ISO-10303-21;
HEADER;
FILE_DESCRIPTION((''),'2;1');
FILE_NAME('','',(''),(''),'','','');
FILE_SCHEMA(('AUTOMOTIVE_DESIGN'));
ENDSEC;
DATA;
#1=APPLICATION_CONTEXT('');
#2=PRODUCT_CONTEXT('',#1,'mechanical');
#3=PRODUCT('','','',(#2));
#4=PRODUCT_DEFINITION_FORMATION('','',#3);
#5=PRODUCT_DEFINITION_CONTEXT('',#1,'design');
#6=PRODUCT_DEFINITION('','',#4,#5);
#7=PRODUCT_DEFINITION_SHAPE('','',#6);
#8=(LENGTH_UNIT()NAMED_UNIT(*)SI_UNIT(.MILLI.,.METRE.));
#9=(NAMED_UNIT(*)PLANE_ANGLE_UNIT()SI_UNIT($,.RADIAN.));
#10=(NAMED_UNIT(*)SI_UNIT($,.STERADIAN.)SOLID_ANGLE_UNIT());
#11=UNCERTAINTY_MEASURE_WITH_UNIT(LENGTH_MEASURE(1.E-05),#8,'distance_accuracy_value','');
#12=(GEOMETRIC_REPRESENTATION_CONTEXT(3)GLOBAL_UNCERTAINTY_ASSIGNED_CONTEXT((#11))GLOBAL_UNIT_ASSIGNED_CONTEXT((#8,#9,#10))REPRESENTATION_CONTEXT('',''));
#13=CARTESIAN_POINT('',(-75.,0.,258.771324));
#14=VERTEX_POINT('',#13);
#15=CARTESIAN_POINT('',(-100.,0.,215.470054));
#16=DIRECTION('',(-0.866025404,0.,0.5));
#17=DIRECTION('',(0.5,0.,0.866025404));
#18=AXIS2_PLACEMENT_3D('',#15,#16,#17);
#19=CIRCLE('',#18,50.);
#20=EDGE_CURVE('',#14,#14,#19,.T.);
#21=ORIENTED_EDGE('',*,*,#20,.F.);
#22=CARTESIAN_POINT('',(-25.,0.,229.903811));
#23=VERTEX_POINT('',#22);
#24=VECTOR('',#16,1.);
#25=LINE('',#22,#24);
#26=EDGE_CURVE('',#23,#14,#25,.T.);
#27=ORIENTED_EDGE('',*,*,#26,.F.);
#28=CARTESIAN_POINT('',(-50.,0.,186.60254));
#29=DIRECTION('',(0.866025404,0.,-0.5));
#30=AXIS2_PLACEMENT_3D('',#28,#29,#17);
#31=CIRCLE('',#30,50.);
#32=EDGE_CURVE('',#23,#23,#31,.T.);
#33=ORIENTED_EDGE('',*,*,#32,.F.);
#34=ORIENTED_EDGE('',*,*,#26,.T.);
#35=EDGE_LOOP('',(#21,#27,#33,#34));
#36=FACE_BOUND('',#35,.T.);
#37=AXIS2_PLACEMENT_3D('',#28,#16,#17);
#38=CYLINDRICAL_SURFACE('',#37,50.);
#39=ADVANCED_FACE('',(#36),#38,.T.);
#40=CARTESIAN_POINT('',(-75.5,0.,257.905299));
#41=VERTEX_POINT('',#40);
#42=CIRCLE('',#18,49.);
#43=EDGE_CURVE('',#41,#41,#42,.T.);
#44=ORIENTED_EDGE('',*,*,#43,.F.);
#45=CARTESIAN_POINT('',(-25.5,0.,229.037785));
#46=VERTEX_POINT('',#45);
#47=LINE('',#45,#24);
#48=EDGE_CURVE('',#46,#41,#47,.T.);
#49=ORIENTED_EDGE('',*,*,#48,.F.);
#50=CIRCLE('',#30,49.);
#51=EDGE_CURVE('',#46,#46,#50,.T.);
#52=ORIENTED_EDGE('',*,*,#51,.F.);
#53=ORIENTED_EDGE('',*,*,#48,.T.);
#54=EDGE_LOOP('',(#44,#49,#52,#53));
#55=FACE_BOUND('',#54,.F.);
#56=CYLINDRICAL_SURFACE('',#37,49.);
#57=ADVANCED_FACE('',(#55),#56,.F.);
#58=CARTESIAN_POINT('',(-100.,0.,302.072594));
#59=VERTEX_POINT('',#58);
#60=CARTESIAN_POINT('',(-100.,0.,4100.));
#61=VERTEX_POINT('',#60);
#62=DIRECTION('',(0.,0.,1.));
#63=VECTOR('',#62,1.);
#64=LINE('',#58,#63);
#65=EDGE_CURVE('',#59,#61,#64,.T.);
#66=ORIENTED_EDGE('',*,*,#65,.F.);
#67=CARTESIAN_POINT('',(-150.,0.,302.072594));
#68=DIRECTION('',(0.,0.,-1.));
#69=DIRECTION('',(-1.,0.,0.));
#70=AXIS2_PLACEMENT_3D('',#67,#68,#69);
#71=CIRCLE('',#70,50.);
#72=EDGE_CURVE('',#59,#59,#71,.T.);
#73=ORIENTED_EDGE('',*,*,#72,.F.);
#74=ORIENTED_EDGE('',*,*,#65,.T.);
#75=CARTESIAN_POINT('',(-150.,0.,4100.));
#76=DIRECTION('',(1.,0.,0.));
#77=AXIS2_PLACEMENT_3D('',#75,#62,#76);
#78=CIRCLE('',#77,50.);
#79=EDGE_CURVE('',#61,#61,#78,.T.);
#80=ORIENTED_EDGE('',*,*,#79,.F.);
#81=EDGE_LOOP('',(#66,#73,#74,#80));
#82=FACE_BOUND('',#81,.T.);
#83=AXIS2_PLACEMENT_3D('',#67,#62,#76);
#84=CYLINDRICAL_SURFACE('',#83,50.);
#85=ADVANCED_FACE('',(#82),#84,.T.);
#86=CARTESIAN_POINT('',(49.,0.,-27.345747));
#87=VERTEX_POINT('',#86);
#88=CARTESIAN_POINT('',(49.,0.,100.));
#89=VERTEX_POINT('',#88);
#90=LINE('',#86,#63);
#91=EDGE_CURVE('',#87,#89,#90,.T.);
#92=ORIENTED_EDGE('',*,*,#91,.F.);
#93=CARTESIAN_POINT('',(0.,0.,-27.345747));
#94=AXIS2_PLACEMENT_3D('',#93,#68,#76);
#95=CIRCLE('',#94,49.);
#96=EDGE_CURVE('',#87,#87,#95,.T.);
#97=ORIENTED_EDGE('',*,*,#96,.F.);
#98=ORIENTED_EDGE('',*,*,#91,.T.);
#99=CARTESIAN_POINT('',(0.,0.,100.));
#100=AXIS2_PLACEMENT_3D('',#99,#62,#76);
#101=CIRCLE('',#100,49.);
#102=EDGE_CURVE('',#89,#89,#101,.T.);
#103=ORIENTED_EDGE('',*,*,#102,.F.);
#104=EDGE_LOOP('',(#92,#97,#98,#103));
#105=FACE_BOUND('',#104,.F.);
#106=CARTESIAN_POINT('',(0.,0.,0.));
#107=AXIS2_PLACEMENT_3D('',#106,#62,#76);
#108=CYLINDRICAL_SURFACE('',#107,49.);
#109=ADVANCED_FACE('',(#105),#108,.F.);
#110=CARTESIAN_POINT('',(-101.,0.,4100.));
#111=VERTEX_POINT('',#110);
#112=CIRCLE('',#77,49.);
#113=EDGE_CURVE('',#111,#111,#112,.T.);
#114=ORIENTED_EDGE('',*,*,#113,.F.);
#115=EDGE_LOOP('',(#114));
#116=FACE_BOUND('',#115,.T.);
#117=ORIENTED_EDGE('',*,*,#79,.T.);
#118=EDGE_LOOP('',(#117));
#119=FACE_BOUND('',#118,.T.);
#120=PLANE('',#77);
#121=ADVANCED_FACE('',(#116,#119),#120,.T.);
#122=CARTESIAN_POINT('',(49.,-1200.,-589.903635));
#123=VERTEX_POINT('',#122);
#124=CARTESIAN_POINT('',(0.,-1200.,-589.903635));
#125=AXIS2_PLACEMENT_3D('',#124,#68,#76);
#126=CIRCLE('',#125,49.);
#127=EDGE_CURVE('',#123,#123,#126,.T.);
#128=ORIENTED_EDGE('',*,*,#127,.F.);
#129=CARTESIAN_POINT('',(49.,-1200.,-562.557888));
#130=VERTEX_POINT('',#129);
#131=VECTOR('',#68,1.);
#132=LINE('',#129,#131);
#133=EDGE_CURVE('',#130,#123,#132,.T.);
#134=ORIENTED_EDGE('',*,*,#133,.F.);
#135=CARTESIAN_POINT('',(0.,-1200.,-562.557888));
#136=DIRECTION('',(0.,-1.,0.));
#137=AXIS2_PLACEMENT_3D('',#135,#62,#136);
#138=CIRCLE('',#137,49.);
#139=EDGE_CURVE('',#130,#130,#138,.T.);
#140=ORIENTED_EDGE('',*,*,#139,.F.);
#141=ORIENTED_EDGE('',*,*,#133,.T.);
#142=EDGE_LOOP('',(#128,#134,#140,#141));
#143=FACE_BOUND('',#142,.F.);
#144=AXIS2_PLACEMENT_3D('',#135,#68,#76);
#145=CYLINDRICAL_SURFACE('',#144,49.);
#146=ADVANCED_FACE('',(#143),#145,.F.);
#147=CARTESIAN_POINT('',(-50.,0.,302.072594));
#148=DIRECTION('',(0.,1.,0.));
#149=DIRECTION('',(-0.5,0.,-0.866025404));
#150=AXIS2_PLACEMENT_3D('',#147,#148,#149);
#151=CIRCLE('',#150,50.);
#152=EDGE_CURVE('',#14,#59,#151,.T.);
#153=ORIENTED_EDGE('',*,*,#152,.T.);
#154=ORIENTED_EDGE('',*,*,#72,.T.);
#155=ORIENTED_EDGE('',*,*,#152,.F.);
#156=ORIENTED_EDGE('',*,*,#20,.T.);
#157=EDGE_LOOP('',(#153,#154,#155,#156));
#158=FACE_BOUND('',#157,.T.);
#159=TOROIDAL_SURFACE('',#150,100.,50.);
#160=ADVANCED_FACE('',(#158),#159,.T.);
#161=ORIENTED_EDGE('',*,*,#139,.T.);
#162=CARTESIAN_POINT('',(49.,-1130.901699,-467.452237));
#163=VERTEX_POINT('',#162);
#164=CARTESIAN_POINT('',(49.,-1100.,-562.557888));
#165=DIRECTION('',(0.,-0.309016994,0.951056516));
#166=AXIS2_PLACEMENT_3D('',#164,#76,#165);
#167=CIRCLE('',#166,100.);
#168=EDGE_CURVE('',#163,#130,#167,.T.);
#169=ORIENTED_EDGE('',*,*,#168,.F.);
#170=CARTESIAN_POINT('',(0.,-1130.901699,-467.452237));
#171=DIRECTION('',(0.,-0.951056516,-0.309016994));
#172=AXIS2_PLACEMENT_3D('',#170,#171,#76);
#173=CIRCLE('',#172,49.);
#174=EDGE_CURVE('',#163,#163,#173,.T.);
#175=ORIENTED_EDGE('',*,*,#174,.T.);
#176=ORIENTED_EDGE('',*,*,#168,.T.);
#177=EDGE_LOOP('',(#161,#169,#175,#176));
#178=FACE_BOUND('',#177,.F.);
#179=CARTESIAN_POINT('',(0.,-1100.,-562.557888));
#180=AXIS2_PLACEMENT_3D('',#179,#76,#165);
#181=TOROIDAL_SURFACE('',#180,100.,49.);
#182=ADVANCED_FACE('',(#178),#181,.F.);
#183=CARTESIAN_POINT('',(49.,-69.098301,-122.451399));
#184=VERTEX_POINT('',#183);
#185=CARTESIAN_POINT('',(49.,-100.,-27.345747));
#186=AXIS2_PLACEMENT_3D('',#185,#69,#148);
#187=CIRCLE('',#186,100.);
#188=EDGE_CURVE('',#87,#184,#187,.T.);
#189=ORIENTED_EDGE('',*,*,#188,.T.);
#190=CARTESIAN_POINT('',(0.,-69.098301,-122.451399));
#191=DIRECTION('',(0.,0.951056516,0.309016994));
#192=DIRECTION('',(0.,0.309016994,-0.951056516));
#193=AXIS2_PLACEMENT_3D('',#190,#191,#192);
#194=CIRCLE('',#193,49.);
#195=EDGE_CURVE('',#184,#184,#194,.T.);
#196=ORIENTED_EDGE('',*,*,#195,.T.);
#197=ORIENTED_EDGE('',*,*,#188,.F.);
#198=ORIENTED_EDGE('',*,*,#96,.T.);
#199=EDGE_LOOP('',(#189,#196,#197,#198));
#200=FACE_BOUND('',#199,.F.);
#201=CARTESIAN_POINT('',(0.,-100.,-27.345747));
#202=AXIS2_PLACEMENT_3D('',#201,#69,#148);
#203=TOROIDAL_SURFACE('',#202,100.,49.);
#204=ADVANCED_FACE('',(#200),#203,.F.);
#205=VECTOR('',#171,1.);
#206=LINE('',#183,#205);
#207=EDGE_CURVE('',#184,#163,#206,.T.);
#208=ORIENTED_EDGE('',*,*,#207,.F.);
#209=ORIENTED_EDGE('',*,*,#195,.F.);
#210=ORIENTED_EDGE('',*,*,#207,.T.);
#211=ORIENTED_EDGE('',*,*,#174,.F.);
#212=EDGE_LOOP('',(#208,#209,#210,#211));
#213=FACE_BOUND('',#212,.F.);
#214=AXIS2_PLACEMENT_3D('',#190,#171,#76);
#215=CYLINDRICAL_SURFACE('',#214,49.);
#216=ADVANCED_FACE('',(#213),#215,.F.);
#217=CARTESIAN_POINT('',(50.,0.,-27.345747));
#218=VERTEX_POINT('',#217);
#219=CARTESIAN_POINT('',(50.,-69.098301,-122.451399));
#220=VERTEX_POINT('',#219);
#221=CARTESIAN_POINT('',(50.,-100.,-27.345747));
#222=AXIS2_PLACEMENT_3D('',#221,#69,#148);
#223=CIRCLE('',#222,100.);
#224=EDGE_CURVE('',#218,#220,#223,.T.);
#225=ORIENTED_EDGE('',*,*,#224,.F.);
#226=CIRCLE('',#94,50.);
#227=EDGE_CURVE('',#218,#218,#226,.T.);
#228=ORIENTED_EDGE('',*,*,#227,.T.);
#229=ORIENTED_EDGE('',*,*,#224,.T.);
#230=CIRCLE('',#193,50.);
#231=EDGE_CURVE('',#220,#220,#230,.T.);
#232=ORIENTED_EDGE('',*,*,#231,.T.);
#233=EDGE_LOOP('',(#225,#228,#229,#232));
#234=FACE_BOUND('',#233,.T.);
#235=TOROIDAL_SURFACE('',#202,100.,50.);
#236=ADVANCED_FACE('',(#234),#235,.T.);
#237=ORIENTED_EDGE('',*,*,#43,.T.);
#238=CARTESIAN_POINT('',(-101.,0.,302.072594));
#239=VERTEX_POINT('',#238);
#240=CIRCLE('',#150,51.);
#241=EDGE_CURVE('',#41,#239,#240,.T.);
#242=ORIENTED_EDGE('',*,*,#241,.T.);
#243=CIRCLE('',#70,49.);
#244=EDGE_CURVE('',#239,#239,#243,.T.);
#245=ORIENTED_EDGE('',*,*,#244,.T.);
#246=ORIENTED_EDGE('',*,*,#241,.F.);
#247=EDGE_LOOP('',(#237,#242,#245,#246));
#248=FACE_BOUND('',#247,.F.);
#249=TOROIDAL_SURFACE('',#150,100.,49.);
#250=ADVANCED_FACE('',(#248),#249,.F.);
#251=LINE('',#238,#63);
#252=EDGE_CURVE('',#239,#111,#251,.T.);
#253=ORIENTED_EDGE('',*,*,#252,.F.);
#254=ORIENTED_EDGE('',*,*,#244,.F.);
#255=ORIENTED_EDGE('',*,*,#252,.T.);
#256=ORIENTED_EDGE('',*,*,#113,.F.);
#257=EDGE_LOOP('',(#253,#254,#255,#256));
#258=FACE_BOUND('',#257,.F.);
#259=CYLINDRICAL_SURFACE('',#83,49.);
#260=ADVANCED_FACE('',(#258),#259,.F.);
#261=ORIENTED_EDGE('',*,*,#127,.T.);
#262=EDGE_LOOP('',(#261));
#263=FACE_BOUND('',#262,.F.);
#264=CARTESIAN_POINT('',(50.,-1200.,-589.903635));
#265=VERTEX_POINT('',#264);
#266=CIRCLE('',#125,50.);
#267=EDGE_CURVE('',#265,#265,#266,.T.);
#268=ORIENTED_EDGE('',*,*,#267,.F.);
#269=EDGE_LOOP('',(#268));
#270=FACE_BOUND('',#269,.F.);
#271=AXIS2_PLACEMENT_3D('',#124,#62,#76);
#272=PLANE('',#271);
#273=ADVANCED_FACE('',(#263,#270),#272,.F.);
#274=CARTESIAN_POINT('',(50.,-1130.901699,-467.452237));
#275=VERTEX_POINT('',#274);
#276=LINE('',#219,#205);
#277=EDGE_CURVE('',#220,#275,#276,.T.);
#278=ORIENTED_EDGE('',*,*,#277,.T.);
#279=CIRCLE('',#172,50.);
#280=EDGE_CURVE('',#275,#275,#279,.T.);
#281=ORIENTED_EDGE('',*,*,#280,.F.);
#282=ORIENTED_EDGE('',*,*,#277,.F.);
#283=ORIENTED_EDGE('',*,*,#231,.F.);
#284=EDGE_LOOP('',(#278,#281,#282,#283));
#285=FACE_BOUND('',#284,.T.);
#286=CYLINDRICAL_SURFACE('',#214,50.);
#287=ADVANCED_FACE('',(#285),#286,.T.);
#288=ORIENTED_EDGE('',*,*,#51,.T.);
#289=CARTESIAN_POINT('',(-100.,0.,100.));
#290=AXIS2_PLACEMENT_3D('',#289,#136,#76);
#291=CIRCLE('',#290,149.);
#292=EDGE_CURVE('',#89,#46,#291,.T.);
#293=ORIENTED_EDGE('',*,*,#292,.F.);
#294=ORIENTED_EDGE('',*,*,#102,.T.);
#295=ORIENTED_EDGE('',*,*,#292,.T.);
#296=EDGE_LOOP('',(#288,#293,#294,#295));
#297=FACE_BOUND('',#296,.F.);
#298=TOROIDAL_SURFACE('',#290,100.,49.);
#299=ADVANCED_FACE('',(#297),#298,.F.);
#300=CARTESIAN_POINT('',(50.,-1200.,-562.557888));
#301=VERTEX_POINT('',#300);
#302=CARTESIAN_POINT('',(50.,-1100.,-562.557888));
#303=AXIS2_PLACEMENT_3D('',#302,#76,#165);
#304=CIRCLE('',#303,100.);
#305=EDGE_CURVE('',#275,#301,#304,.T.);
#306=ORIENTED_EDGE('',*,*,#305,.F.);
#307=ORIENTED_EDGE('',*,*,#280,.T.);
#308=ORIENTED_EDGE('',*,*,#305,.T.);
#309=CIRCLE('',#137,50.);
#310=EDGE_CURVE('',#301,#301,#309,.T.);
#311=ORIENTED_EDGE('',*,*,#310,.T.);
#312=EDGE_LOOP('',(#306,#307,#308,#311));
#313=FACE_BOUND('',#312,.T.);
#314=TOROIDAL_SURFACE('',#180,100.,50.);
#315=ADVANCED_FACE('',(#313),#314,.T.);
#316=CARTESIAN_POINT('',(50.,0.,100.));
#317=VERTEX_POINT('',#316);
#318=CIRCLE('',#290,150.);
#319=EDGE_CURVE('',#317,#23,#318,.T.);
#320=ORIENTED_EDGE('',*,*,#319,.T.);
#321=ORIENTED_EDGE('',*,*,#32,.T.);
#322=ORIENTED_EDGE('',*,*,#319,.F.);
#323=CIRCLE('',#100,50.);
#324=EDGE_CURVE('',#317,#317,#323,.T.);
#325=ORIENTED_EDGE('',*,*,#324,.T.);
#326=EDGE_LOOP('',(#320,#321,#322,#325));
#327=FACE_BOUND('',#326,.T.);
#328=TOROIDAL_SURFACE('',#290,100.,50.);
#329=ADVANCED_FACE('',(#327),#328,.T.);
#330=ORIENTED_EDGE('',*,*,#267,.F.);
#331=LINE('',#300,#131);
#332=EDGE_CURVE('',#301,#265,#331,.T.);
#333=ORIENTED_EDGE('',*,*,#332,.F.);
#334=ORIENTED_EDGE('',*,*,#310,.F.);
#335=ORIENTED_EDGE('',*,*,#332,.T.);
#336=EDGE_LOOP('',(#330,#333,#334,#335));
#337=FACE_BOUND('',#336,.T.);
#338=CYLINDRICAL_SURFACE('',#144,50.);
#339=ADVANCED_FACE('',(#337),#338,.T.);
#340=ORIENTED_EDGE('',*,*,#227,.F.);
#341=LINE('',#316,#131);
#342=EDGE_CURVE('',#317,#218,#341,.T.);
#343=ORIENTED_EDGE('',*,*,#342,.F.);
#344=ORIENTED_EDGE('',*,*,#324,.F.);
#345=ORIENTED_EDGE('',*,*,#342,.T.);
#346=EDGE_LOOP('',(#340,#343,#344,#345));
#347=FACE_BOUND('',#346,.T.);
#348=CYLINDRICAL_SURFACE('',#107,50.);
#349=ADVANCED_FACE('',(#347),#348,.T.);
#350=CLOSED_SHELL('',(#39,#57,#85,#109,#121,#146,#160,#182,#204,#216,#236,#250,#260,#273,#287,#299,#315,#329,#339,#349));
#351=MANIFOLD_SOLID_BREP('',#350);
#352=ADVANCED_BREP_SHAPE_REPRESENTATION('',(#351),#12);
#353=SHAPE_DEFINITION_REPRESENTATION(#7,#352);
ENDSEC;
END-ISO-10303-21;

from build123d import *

# Parameters (mm, degrees)
F1_R        = 50
F1_R_2      = 49
F2_FACE_R   = 50
F2_FACE_R_2 = 49


with BuildPart() as f2:
    # F2: sweep along a path in F0
    with BuildLine(Plane.YZ) as f2_path:
        Line((0, 0), (0, -27.3457471995))
        ThreePointArc((0, -27.3457471995), (-19.0983005625, -86.1242724287), (-69.0983005625, -122.451398829))
        Line((-69.0983005625, -122.451398829), (-1130.9016994375, -467.4522366505))
        ThreePointArc((-1130.9016994375, -467.4522366505), (-1180.9016994375, -503.7793630508), (-1200, -562.55788828))
        Line((-1200, -562.55788828), (-1200, -589.9036354795))
    # F1 (on Top) → F2 (sweep)
    with BuildSketch(Plane.XY):
        Circle(F1_R)
        Circle(F1_R_2, mode=Mode.SUBTRACT)
    sweep(path=f2_path.line)

    # F4: sweep along a path in F3
    with BuildLine(Plane.XZ) as f4_path:
        Line((0, 0), (0, 100))
        ThreePointArc((0, 100), (-13.3974596216, 150), (-50, 186.6025403784))
        Line((-50, 186.6025403784), (-100, 215.4700538379))
        ThreePointArc((-100, 215.4700538379), (-136.6025403784, 252.0725942164), (-150, 302.0725942164))
        Line((-150, 302.0725942164), (-150, 4100))
    # F2_face (on face) → F4 (sweep)
    with BuildSketch(Plane.XY):
        Circle(F2_FACE_R)
        Circle(F2_FACE_R_2, mode=Mode.SUBTRACT)
    sweep(path=f4_path.line)


solid = f2.part
